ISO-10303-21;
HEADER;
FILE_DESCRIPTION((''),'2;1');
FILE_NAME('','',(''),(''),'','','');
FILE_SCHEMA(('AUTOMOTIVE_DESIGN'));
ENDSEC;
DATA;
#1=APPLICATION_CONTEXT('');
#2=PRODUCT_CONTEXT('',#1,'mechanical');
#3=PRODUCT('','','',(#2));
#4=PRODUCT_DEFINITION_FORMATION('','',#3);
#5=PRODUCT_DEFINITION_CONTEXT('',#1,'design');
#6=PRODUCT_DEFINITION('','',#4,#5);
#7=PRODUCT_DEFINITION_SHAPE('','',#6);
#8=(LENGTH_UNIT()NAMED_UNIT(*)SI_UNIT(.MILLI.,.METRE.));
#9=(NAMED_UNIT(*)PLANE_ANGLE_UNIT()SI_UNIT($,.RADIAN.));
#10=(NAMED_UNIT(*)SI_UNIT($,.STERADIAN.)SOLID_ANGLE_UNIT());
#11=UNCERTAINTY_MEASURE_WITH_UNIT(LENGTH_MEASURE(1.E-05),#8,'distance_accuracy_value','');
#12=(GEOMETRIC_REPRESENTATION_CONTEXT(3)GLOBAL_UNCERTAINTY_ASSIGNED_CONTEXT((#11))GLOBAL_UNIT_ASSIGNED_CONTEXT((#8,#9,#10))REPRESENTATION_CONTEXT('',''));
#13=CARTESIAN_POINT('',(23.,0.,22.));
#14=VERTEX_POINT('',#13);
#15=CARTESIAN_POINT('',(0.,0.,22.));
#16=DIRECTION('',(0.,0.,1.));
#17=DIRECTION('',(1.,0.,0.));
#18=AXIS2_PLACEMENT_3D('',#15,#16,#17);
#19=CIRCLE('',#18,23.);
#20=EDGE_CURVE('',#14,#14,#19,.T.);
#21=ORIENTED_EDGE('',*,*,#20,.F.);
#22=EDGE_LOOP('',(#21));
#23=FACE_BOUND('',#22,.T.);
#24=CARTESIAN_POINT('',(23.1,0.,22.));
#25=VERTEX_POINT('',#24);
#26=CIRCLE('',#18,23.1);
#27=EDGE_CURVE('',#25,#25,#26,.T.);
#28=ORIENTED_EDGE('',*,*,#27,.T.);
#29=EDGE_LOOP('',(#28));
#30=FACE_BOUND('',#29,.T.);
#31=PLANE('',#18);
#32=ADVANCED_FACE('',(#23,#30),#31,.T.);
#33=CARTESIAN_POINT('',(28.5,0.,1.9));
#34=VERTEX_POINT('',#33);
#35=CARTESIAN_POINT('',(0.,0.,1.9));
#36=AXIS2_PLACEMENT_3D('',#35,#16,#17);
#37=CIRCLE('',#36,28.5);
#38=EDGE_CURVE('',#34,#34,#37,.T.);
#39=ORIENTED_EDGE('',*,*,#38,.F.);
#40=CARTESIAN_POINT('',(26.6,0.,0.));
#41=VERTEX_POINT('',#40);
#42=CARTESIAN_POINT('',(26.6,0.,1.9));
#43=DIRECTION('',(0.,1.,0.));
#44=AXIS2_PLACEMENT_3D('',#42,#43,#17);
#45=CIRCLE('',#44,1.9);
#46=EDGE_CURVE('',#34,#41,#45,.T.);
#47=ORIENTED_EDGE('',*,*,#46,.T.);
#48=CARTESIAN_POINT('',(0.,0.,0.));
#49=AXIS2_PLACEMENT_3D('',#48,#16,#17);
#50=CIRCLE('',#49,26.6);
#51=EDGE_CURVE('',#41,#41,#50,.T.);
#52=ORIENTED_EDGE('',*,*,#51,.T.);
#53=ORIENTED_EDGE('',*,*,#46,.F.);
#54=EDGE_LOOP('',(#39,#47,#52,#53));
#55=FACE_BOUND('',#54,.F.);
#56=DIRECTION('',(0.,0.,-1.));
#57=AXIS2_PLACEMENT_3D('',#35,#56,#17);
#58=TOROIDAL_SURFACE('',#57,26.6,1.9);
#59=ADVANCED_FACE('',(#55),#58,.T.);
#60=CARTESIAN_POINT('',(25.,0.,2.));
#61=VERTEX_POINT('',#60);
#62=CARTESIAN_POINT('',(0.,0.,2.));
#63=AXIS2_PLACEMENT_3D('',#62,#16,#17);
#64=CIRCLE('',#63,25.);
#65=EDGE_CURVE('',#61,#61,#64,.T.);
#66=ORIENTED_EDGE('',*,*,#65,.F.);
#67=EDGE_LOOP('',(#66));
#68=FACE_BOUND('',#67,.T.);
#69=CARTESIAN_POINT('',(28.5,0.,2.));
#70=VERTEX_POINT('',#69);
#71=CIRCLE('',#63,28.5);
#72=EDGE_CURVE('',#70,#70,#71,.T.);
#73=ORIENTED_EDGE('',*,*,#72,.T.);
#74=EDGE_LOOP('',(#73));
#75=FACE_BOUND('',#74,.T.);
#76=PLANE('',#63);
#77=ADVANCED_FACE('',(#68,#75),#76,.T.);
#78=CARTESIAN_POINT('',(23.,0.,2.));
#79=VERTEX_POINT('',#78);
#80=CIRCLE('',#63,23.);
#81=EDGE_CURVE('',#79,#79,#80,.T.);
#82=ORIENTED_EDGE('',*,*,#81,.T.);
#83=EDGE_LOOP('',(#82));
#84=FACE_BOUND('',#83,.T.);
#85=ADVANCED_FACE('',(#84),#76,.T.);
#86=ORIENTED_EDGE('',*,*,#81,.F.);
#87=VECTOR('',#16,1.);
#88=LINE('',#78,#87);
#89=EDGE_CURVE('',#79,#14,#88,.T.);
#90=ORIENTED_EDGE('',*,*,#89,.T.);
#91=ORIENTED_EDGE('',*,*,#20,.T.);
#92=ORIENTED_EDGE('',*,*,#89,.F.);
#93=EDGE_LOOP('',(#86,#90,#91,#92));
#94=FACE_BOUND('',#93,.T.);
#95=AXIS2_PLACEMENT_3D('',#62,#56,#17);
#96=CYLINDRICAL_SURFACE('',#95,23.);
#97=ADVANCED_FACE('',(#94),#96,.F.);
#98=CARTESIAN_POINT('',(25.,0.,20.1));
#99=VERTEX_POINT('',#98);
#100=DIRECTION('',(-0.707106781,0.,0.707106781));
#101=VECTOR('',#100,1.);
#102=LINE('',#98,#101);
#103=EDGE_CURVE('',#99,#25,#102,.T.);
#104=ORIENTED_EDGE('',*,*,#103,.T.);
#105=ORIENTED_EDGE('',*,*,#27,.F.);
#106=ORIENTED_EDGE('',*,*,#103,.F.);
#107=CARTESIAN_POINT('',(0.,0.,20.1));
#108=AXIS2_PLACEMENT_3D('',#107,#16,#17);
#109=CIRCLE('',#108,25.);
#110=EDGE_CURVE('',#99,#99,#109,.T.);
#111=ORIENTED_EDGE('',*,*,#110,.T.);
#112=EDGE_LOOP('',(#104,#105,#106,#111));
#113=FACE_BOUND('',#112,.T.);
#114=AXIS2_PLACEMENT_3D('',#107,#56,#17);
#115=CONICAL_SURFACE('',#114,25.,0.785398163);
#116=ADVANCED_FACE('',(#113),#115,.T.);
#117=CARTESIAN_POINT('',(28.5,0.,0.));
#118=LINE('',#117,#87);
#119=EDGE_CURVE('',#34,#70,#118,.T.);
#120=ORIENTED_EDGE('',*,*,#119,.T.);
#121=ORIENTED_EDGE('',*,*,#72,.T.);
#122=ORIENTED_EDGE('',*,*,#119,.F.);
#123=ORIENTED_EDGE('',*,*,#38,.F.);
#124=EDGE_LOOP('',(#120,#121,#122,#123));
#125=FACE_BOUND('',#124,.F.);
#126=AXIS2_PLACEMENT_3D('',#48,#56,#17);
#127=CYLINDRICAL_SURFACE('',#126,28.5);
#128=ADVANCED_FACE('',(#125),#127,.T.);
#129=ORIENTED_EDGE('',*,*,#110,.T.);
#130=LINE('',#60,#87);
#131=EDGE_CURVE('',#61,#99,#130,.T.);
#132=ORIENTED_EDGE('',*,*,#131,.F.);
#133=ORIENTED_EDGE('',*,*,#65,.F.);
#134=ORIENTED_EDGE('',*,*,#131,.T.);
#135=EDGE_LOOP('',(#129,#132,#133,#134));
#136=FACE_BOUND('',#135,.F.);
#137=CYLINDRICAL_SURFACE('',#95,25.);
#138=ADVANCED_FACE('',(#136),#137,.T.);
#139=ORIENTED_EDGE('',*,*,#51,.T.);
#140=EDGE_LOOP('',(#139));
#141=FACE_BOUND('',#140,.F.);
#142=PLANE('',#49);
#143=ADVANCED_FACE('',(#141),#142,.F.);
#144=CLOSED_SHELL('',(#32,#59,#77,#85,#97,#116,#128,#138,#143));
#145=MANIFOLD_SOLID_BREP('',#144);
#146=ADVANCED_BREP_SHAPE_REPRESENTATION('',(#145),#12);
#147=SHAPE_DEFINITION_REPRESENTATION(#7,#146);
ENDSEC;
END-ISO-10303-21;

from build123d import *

# Parameters (mm, degrees)
SKETCH_R      = 28.5
PAD_DEPTH     = 2
SKETCH001_R   = 25
SKETCH001_R_2 = 23
PAD001_DEPTH  = 20
CHAMFER_SIZE  = 1.9
FILLET_R      = 1.9


with BuildPart() as part:
    # Sketch → Pad (new body)
    with BuildSketch(Plane.XY):
        Circle(SKETCH_R)
    extrude(amount=PAD_DEPTH)

    # Sketch001 (on Face3 of Pad) → Pad001 (join)
    with BuildSketch(Plane.XY.offset(2)):
        Circle(SKETCH001_R)
        Circle(SKETCH001_R_2, mode=Mode.SUBTRACT)
    extrude(amount=PAD001_DEPTH)

    # Chamfer
    chamfer_edges = [part.edges().sort_by_distance(p)[0] for p in [
        (-25, 0, 22),
    ]]
    chamfer(chamfer_edges, length=CHAMFER_SIZE)

    # Fillet
    fillet_edges = [part.edges().sort_by_distance(p)[0] for p in [
        (-28.5, 0, 0),
    ]]
    fillet(fillet_edges, radius=FILLET_R)


solid = part.part
